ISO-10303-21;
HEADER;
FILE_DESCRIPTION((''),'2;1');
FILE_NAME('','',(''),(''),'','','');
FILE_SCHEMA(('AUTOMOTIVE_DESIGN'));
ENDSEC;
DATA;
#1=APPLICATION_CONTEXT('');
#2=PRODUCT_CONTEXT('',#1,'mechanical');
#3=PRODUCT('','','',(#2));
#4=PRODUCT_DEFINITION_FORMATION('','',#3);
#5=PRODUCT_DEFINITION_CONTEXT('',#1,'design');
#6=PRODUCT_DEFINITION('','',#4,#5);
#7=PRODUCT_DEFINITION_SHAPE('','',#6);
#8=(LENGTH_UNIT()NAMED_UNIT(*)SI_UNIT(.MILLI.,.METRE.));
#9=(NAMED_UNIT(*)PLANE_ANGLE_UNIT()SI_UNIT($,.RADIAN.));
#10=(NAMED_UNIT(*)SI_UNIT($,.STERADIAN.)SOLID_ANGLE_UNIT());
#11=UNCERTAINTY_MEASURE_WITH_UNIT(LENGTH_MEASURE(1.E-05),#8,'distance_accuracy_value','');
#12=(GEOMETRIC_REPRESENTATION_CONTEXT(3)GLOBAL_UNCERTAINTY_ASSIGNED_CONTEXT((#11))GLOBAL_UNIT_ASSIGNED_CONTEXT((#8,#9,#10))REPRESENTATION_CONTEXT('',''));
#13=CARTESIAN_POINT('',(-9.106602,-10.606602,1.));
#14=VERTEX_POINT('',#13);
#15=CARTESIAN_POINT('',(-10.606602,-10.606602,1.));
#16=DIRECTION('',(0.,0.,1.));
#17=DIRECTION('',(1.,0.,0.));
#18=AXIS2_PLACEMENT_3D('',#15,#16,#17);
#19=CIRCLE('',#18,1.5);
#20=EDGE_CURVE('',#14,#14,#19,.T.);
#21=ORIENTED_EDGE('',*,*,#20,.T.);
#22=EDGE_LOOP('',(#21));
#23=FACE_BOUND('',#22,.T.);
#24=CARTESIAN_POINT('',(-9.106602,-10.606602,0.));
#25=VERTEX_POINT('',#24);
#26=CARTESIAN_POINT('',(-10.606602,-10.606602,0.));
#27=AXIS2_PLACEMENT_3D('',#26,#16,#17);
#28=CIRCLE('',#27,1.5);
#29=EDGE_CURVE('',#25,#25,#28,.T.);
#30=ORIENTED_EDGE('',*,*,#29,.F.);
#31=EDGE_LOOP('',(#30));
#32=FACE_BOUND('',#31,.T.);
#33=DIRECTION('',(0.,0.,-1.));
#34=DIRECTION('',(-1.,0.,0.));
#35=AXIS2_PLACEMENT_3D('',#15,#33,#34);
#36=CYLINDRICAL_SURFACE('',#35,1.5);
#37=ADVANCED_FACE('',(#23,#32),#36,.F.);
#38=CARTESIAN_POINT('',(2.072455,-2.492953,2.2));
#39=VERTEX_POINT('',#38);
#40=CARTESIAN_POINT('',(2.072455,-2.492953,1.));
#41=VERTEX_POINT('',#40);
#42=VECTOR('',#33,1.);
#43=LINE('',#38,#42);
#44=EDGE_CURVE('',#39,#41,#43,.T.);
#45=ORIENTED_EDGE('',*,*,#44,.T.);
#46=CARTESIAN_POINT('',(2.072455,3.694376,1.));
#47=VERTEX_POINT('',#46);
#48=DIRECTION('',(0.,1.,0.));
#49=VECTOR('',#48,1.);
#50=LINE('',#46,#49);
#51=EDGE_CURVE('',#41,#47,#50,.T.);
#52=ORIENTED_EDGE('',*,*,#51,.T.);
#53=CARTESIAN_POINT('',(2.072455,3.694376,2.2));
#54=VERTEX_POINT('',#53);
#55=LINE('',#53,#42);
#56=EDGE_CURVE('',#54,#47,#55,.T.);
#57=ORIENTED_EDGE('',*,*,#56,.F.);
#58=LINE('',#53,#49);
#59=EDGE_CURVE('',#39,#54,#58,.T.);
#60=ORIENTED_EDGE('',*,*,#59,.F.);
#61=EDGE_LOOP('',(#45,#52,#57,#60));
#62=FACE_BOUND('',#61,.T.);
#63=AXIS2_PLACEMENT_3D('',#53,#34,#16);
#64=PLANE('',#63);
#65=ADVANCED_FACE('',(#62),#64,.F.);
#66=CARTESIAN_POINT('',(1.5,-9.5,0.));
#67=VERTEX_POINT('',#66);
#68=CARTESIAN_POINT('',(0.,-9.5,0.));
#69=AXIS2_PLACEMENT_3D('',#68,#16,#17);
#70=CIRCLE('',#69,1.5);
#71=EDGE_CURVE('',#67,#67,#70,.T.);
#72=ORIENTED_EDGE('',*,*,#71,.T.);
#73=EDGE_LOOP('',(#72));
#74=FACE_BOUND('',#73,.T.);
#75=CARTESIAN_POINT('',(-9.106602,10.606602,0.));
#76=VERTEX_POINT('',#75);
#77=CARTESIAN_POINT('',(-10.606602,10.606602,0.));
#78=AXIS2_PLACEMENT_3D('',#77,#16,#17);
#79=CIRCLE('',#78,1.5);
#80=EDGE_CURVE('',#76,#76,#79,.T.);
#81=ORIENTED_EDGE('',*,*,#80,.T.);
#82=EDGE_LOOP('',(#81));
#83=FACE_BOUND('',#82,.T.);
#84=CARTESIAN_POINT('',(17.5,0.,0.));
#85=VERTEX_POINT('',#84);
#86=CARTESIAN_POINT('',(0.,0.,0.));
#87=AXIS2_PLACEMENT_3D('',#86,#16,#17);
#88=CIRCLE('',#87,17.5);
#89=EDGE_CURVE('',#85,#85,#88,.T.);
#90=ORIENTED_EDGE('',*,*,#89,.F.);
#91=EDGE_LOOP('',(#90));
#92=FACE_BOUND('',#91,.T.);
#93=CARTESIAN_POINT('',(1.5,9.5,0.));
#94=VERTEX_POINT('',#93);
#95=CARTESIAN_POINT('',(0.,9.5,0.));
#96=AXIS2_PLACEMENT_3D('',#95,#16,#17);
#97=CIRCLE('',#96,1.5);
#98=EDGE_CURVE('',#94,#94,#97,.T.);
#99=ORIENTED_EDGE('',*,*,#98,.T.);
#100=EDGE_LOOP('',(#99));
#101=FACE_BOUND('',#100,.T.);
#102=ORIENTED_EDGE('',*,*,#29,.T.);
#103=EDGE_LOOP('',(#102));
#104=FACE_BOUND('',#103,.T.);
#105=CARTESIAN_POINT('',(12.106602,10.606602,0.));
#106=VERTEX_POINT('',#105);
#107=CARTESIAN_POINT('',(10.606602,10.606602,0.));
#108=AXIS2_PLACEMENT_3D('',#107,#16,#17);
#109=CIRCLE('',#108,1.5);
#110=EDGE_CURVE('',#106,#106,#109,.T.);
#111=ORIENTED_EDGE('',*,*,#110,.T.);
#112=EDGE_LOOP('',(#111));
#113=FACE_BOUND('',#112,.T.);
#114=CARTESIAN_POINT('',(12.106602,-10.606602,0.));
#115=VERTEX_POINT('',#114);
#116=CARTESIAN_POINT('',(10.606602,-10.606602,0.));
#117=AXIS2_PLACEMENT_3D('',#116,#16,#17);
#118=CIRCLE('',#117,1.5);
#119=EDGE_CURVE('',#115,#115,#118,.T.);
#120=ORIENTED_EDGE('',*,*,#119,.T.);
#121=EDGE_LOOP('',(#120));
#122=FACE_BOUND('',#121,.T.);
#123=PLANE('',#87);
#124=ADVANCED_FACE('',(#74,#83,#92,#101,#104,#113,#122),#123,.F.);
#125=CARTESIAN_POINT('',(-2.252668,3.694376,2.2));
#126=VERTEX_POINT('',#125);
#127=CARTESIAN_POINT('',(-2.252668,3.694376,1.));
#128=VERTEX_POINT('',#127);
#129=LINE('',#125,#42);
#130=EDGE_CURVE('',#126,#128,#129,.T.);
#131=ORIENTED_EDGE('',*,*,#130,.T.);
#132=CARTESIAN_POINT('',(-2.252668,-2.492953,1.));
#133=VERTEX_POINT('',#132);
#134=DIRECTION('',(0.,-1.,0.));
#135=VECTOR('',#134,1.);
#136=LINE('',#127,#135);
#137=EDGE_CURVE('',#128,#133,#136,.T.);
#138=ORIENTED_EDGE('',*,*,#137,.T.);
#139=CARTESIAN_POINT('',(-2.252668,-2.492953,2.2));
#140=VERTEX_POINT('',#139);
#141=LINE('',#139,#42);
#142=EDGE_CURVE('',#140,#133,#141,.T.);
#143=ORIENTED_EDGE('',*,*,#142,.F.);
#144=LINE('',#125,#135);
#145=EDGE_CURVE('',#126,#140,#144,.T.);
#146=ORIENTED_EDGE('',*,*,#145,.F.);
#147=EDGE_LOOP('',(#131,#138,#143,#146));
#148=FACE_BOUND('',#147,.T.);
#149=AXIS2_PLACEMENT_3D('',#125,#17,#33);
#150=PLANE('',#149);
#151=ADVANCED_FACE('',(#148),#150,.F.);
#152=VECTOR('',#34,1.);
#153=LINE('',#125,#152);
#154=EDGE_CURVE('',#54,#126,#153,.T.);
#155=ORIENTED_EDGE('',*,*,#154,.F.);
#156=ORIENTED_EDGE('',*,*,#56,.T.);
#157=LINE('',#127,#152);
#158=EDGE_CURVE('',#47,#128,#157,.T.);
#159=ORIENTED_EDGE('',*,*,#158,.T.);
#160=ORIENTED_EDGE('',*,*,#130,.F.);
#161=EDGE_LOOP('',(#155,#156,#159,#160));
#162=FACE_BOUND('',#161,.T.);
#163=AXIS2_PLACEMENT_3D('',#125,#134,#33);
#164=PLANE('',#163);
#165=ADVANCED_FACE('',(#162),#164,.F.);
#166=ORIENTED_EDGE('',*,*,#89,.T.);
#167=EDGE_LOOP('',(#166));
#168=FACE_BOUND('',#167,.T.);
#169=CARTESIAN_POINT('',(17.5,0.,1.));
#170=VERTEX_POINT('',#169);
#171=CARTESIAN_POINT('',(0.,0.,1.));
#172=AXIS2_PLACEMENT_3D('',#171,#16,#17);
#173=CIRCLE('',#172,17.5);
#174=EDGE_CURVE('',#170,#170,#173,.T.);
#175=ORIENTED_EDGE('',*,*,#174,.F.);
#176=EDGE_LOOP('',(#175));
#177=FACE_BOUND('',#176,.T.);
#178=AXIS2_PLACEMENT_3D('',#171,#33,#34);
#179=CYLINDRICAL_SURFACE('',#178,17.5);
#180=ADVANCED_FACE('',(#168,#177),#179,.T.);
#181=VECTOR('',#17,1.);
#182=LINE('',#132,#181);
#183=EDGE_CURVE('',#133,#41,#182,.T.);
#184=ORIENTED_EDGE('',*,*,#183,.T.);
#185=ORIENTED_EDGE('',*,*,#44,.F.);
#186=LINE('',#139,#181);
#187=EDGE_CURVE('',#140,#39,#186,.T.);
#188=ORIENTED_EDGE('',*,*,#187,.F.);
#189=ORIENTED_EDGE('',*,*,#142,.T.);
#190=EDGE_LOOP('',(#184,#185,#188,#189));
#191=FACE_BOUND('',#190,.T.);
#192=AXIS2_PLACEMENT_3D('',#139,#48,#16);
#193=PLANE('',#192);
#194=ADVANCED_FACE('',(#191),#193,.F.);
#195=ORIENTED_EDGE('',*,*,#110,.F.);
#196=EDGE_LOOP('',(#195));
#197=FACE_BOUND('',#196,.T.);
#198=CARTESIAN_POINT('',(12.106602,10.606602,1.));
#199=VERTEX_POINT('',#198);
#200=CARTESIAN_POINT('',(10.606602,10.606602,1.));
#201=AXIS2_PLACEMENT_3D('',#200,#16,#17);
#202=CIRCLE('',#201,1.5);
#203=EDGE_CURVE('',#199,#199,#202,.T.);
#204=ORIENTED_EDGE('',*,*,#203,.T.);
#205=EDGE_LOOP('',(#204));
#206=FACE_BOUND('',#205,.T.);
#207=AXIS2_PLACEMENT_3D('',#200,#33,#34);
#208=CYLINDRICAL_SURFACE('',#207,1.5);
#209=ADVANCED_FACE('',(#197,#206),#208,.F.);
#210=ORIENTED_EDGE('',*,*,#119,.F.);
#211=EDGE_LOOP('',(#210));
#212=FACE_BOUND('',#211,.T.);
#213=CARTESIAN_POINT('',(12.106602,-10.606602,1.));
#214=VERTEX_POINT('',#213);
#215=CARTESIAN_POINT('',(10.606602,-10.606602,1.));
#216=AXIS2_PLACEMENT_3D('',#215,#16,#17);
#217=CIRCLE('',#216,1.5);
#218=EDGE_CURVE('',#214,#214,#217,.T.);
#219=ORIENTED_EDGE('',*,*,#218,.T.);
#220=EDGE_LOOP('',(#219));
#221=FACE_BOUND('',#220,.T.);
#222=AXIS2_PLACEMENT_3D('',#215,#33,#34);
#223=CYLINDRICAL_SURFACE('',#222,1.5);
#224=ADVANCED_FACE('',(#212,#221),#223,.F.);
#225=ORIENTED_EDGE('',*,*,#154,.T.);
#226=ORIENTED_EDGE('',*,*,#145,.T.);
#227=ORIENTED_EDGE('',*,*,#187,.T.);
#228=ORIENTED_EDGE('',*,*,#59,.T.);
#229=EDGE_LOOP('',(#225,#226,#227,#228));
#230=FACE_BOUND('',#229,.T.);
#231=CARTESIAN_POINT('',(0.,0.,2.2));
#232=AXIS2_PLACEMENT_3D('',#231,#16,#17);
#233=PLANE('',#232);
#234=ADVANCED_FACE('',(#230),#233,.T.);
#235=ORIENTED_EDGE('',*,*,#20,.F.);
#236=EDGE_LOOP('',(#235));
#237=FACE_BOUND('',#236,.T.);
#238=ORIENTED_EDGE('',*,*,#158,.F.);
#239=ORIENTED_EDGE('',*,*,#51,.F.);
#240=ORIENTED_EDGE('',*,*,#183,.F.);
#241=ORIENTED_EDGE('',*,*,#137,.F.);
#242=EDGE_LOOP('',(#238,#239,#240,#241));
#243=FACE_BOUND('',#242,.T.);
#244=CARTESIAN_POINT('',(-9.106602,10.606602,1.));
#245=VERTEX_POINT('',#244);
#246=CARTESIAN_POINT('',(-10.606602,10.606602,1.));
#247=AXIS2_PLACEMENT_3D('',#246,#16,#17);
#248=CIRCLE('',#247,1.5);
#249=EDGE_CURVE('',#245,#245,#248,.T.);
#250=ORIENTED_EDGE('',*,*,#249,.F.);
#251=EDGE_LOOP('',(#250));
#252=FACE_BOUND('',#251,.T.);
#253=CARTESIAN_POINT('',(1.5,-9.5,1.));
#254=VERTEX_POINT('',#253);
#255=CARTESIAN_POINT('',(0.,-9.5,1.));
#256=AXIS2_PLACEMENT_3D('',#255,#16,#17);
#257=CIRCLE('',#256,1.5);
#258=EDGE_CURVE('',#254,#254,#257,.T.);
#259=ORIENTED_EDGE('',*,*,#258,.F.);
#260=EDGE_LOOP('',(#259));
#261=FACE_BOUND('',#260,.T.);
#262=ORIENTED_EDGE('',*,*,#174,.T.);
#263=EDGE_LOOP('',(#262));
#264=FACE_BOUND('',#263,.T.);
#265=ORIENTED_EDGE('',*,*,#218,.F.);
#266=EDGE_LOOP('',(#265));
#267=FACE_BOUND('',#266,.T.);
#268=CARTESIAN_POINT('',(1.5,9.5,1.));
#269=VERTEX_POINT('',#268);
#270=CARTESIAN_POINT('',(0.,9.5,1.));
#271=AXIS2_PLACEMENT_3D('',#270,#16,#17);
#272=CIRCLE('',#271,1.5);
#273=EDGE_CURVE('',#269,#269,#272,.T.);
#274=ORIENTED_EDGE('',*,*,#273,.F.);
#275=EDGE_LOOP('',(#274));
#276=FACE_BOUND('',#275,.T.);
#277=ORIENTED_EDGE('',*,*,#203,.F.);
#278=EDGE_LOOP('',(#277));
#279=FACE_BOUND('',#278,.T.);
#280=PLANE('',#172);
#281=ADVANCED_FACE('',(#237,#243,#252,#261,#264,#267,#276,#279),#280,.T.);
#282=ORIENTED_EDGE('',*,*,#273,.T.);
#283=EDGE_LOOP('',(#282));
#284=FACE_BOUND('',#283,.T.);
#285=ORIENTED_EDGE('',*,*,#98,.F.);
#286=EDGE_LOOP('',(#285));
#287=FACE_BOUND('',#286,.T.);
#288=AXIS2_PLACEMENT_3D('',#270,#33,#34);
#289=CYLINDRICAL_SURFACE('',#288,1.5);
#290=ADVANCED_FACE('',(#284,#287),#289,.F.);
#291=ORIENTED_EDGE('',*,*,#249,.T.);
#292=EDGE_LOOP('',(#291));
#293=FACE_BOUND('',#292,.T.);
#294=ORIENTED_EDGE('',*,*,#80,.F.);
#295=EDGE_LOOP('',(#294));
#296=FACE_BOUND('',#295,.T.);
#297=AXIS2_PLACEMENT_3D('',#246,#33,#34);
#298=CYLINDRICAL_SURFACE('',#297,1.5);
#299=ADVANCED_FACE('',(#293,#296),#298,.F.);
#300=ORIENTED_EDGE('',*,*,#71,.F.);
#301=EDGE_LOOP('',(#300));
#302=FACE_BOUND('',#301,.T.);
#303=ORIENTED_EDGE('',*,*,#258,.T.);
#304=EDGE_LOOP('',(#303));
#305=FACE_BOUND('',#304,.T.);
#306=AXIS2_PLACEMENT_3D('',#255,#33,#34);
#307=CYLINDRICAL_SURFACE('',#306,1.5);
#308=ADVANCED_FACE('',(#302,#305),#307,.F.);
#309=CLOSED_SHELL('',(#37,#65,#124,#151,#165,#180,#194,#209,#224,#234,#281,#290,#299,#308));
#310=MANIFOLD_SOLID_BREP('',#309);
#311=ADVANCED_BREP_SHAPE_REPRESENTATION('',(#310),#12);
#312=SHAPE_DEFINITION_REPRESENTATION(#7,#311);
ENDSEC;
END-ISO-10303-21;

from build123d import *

# Parameters (mm, degrees)
SKETCH_1_R      = 17.5
SKETCH_1_R_2    = 1.5
EXTRUDE_1_DEPTH = 1
SKETCH_2_W      = 4.325123413
SKETCH_2_H      = 6.187329326
EXTRUDE_2_DEPTH = 1.2


with BuildPart() as part:
    # 草图1 → 凸台-拉伸1 (new body)
    with BuildSketch(Plane.XY):
        Circle(SKETCH_1_R)
        with Locations((0, 9.5)):
            Circle(SKETCH_1_R_2, mode=Mode.SUBTRACT)
        with Locations((0, -9.5)):
            Circle(SKETCH_1_R_2, mode=Mode.SUBTRACT)
        with Locations((10.606601718, 10.606601718)):
            Circle(SKETCH_1_R_2, mode=Mode.SUBTRACT)
        with Locations((10.606601718, -10.606601718)):
            Circle(SKETCH_1_R_2, mode=Mode.SUBTRACT)
        with Locations((-10.606601718, -10.606601718)):
            Circle(SKETCH_1_R_2, mode=Mode.SUBTRACT)
        with Locations((-10.606601718, 10.606601718)):
            Circle(SKETCH_1_R_2, mode=Mode.SUBTRACT)
    extrude(amount=EXTRUDE_1_DEPTH)

    # 草图2 → 凸台-拉伸2 (add)
    with BuildSketch(Plane.XY.offset(1)):
        with Locations((-0.090106737, 0.600711585)):
            Rectangle(SKETCH_2_W, SKETCH_2_H)
    extrude(amount=EXTRUDE_2_DEPTH)


solid = part.part
